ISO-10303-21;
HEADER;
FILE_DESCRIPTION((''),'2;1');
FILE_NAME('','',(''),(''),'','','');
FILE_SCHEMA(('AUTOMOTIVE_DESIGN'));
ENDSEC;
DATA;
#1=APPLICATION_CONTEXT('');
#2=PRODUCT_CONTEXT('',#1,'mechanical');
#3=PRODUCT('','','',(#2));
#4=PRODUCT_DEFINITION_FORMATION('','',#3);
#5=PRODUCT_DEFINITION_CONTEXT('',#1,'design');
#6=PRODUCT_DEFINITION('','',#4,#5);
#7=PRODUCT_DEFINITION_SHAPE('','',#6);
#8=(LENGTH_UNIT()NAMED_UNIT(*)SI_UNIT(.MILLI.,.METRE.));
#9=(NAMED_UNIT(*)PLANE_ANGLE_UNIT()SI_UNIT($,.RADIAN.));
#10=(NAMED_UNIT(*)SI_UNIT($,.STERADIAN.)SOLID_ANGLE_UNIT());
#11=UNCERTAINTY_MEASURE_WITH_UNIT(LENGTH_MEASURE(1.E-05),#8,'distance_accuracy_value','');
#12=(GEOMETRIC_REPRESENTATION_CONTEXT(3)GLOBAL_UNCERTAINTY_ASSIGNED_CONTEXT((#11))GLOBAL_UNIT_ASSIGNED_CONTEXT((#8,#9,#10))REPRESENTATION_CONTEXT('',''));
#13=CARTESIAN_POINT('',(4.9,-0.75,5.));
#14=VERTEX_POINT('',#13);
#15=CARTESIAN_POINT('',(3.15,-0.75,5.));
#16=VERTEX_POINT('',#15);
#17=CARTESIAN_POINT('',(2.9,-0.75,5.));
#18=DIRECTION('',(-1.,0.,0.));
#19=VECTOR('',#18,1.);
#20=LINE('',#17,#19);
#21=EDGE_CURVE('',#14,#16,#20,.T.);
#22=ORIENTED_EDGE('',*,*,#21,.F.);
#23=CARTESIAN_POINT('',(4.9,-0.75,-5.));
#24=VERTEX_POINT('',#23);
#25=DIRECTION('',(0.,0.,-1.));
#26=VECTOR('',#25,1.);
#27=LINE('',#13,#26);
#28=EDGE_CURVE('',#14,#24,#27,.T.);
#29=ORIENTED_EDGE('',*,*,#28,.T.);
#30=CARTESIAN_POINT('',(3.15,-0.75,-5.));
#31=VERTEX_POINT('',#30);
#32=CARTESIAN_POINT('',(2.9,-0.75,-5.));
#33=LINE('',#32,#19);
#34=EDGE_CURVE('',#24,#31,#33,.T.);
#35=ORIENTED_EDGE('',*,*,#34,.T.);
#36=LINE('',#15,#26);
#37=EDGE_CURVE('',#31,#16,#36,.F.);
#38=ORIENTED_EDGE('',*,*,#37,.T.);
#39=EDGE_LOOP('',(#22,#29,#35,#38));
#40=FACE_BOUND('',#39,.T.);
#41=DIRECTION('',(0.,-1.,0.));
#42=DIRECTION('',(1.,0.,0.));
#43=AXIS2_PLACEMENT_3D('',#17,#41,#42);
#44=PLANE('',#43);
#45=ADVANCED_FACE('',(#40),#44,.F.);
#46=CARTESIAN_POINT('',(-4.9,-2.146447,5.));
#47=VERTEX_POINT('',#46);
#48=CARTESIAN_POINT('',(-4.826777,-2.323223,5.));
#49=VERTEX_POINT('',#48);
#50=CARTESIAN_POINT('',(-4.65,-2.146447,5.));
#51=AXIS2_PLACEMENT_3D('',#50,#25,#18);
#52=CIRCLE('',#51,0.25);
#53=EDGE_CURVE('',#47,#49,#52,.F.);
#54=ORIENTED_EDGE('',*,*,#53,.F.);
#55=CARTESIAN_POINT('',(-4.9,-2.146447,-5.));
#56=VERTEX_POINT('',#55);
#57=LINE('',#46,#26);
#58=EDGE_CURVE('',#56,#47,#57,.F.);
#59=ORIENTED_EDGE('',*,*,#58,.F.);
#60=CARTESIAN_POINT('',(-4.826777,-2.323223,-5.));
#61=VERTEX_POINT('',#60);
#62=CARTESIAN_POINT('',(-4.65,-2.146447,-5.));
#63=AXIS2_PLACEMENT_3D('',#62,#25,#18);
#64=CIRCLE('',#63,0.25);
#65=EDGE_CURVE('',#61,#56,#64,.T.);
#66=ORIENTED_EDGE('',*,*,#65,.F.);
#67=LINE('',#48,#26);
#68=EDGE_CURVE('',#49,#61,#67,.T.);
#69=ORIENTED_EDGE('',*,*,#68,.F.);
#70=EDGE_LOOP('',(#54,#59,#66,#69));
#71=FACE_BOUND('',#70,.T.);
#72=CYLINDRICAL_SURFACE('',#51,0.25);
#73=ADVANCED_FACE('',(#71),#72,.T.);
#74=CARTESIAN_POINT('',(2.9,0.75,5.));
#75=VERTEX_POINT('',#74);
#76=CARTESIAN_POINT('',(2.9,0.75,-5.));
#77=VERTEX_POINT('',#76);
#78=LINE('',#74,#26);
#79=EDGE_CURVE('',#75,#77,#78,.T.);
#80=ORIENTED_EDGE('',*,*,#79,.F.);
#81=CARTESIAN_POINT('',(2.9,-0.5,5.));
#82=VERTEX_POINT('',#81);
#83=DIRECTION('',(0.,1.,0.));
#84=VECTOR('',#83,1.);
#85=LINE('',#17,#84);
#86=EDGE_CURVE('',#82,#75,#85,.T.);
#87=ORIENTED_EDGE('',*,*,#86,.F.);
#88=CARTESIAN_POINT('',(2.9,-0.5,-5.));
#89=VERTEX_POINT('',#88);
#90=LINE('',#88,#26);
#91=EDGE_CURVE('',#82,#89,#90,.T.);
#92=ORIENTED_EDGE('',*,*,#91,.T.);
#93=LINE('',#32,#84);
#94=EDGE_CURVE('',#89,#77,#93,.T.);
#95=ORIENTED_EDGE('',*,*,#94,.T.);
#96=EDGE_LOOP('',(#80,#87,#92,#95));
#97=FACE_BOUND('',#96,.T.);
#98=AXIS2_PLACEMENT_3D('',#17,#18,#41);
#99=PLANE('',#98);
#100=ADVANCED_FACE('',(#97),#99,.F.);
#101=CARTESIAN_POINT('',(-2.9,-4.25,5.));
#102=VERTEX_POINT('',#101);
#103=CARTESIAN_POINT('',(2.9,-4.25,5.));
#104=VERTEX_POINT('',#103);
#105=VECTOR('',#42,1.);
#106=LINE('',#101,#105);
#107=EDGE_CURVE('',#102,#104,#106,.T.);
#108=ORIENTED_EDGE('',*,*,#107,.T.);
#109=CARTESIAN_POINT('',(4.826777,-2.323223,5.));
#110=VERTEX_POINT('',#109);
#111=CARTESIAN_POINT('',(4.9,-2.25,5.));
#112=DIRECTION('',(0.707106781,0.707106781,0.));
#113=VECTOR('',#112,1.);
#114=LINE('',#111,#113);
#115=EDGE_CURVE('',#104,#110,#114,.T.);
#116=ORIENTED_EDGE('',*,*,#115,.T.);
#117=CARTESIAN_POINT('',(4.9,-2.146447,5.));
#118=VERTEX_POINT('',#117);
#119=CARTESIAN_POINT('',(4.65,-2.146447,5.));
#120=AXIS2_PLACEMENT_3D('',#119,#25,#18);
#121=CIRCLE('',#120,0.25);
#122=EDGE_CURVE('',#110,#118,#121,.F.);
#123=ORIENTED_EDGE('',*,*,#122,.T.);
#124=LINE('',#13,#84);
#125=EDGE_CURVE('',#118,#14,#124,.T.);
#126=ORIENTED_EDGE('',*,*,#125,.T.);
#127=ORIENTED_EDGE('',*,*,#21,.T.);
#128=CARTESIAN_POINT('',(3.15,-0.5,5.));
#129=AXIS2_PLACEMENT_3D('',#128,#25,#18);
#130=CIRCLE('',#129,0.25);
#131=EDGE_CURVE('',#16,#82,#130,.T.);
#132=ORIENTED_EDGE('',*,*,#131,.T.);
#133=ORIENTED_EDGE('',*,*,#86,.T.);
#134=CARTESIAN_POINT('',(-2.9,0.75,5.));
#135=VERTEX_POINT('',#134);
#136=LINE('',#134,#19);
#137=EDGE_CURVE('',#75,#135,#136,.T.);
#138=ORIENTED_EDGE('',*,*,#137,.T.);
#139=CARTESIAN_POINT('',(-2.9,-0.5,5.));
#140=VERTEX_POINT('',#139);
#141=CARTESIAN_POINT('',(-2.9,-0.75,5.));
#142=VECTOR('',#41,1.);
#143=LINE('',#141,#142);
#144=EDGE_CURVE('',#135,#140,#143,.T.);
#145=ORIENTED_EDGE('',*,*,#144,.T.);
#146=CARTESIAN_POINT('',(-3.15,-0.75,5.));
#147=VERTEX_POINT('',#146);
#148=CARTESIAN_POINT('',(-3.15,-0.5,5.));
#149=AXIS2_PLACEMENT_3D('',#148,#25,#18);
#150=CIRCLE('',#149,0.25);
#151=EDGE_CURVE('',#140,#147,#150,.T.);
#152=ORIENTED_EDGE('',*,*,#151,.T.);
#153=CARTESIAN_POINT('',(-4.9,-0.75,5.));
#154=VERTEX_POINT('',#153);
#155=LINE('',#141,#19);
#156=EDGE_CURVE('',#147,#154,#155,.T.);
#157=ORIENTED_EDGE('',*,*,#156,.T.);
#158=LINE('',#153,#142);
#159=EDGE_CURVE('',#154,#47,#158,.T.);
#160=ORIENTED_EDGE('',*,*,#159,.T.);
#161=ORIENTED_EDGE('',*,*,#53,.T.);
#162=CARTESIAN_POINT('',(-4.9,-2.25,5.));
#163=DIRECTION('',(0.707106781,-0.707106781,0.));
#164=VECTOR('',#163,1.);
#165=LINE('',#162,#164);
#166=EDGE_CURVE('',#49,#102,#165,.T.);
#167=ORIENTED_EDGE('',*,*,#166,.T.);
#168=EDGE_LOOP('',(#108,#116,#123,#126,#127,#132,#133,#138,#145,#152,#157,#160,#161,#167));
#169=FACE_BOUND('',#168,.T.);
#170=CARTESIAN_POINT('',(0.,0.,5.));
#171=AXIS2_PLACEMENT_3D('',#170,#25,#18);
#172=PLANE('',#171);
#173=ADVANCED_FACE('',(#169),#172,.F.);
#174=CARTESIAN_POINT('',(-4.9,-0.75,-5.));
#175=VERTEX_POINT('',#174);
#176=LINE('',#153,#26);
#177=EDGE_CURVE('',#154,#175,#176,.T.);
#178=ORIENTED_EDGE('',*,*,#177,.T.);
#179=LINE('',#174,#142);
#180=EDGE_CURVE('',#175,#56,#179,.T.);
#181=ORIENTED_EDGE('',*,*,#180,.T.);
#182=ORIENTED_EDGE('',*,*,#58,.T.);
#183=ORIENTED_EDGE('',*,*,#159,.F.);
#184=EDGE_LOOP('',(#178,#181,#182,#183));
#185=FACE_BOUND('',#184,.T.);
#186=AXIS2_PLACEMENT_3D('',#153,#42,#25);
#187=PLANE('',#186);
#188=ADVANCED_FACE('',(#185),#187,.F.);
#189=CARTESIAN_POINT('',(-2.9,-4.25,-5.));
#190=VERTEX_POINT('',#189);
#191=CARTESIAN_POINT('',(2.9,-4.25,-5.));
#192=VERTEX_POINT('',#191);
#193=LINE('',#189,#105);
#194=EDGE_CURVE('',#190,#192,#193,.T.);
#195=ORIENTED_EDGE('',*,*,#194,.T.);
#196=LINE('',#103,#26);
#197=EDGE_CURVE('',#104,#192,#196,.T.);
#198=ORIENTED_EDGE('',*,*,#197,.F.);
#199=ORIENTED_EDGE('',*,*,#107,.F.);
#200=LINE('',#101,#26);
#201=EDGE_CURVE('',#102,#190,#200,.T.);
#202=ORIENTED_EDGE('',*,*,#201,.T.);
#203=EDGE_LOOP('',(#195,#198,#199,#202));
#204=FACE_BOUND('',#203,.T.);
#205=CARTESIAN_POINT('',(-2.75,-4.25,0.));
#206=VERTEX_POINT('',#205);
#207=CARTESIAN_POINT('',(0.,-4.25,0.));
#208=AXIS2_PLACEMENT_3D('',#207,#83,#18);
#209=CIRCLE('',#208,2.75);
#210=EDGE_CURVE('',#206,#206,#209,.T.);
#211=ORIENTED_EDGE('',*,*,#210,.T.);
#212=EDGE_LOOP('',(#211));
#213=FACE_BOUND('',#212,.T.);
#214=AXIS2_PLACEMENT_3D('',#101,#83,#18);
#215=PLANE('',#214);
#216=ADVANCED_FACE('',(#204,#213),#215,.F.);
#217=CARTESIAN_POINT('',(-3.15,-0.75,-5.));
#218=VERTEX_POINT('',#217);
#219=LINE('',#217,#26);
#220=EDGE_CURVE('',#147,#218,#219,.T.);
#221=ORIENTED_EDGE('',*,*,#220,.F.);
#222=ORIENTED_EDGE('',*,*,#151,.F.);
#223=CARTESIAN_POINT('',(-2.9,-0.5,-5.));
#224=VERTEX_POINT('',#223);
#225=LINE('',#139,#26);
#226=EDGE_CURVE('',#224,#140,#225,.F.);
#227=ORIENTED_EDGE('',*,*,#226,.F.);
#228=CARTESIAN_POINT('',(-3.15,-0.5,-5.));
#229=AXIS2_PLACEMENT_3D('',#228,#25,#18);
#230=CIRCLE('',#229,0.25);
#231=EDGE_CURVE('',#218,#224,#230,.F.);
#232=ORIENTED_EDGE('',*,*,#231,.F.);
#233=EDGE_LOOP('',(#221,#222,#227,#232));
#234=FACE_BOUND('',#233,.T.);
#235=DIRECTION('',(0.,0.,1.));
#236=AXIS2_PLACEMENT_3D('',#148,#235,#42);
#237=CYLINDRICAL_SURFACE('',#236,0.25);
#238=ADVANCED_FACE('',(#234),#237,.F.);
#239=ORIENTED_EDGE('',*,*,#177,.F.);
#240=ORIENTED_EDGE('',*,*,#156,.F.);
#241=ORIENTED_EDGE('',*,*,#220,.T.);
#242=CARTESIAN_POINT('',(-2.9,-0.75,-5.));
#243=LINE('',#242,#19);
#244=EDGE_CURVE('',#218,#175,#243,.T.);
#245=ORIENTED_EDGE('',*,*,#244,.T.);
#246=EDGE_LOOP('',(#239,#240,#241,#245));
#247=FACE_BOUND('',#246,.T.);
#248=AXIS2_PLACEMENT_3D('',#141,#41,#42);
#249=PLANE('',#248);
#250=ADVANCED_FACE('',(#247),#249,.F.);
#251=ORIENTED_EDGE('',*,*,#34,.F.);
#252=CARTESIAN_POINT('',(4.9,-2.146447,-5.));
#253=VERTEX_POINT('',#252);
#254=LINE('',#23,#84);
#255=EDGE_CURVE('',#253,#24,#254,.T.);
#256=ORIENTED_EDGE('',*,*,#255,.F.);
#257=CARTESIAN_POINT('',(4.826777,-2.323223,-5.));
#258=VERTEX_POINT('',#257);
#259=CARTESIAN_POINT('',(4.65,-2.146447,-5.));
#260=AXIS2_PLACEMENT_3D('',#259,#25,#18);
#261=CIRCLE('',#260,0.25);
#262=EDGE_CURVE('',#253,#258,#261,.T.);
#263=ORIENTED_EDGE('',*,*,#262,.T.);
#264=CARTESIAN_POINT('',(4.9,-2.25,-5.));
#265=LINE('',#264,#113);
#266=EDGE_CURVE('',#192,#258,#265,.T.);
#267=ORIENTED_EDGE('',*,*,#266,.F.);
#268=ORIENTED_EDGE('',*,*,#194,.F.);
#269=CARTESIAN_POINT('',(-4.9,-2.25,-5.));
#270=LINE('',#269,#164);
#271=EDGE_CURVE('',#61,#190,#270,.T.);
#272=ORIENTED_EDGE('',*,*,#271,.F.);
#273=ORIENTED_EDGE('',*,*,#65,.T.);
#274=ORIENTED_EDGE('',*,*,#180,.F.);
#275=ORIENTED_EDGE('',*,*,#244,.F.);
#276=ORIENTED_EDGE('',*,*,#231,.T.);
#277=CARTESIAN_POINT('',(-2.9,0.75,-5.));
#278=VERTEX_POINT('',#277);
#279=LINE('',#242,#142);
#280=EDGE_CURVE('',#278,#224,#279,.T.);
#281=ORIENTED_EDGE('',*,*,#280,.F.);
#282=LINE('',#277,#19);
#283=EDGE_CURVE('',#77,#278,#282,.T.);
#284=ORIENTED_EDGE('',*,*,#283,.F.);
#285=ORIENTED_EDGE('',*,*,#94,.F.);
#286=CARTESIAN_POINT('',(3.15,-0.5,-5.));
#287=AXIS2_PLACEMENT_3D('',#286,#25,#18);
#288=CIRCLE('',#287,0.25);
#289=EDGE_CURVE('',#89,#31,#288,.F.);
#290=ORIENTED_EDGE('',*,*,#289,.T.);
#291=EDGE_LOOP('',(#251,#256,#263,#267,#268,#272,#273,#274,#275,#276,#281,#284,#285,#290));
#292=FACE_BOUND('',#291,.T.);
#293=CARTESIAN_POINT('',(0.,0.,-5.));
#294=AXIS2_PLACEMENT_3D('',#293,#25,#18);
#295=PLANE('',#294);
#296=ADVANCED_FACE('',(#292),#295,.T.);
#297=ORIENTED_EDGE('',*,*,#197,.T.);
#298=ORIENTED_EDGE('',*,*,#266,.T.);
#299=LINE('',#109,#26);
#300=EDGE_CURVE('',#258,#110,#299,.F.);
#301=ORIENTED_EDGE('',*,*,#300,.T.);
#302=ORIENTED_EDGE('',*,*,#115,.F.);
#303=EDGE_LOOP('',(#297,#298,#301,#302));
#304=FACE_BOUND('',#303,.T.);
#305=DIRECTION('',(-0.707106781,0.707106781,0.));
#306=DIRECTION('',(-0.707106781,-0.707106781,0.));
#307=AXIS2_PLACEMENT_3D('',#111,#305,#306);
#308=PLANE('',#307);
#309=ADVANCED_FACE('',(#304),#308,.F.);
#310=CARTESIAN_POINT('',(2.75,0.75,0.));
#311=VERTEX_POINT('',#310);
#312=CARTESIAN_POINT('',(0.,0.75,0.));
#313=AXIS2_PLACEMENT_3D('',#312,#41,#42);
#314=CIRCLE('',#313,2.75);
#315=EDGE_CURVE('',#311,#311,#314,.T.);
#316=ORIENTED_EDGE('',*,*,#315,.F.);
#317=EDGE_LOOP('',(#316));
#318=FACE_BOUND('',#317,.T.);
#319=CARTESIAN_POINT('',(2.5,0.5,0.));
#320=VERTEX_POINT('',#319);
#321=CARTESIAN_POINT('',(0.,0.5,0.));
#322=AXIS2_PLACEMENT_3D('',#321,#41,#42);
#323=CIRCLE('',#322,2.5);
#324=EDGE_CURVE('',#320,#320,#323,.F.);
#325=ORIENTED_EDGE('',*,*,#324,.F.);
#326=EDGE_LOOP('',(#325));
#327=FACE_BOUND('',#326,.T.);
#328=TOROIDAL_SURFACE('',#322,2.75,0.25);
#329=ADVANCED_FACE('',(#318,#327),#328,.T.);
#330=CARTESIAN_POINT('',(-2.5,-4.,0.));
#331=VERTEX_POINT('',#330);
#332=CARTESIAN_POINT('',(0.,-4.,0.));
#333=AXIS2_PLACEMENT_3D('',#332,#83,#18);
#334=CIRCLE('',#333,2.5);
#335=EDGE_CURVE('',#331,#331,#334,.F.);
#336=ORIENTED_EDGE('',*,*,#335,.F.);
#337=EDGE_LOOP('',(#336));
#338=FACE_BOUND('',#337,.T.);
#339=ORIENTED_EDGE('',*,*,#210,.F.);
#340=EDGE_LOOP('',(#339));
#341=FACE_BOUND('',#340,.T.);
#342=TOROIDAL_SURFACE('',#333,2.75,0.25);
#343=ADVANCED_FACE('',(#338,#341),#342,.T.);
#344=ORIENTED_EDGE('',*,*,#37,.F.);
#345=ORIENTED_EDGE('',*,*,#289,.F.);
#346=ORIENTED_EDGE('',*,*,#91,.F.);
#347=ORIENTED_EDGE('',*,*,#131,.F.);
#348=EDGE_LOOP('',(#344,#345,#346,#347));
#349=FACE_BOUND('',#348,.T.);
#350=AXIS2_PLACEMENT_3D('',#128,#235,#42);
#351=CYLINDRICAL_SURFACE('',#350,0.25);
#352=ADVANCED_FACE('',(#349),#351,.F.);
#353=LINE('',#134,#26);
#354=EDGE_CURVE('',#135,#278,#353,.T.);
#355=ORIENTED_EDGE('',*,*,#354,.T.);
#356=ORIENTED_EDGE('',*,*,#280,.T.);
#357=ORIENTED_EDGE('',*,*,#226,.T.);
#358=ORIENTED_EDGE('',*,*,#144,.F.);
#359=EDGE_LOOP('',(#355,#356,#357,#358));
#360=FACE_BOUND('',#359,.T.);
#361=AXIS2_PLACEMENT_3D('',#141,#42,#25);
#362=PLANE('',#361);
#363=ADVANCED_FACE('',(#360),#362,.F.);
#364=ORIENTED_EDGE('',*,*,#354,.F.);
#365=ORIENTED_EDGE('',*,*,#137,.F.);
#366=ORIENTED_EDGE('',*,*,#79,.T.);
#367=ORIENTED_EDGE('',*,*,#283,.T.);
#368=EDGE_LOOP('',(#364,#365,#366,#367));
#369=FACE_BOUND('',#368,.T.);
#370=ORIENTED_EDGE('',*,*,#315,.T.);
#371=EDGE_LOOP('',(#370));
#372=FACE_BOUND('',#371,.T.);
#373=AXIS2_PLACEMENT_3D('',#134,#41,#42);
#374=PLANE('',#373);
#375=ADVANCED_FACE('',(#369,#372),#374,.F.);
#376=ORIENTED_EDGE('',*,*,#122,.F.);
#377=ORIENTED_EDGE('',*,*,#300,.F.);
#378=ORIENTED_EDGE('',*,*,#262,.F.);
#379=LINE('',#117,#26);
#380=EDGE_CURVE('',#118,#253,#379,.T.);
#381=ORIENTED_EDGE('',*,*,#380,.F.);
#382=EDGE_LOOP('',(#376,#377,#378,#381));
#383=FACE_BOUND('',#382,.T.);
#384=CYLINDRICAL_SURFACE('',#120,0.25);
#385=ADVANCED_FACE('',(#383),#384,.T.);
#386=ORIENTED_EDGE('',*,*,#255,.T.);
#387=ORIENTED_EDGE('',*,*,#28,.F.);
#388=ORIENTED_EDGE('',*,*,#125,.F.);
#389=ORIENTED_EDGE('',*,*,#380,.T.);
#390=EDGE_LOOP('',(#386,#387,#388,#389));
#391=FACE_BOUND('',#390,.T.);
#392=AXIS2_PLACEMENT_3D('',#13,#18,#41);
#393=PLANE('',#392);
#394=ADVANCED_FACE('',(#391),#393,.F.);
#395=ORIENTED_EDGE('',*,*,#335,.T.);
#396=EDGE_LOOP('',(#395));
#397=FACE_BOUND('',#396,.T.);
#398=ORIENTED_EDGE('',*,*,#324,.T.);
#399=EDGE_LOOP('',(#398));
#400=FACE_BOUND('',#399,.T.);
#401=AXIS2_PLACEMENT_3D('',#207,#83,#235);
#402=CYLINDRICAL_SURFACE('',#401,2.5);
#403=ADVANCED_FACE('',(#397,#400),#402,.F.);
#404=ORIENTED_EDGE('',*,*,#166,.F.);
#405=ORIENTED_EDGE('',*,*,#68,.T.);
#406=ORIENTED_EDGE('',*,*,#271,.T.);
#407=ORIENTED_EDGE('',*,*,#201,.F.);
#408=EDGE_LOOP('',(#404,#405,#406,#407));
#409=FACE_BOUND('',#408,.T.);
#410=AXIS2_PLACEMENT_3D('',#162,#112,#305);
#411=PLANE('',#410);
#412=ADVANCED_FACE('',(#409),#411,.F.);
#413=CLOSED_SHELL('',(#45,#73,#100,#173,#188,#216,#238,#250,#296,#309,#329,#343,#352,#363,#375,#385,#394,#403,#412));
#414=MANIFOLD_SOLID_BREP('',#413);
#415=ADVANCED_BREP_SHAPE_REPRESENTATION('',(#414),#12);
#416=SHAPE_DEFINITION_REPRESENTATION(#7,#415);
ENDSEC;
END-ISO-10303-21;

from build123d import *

# Parameters (mm, degrees)
BOSS_EXTRUDE1_DEPTH     = 5
CUT_EXTRUDE1_DEPTH      = 9.189780217
CUT_EXTRUDE1_DEPTH_BACK = 9.189780217
SKETCH2_R               = 2.5
FILLET1_R               = 0.25
FILLET2_R               = 0.25


with BuildPart() as part:
    # Sketch1 → Boss-Extrude1 (new, symmetric)
    with BuildSketch(Plane.XY):
        Polygon((-2.9, -0.75), (-2.9, 0.75), (2.9, 0.75), (2.9, -0.75), (4.9, -0.75), (4.9, -2.25), (2.9, -4.25), (-2.9, -4.25), (-4.9, -2.25), (-4.9, -0.75), align=None)
    extrude(amount=BOSS_EXTRUDE1_DEPTH, both=True)

    # Sketch2 → Cut-Extrude1 (cut, two sides: drawn at the far end of the back side and taken through both)
    with BuildSketch(Plane(origin=(0, 0, 0), x_dir=(1, 0, 0), z_dir=(0, 1, 0)).offset(-CUT_EXTRUDE1_DEPTH_BACK)):
        with Locations(Location((0, 0, 0), (0, 0, 270))):
            Circle(SKETCH2_R)
    extrude(amount=CUT_EXTRUDE1_DEPTH + CUT_EXTRUDE1_DEPTH_BACK, mode=Mode.SUBTRACT)

    # Fillet1
    fillet1_edges = [part.edges().sort_by_distance(p)[0] for p in [
        (2.9, -0.75, 0),
        (4.9, -2.25, 0),
        (-4.9, -2.25, 0),
        (-2.9, -0.75, 0),
    ]]
    fillet(fillet1_edges, radius=FILLET1_R)

    # Fillet2
    fillet2_edges = [part.edges().sort_by_distance(p)[0] for p in [
        (0, -4.25, -2.5),
        (0, 0.75, -2.5),
    ]]
    fillet(fillet2_edges, radius=FILLET2_R)


solid = part.part
